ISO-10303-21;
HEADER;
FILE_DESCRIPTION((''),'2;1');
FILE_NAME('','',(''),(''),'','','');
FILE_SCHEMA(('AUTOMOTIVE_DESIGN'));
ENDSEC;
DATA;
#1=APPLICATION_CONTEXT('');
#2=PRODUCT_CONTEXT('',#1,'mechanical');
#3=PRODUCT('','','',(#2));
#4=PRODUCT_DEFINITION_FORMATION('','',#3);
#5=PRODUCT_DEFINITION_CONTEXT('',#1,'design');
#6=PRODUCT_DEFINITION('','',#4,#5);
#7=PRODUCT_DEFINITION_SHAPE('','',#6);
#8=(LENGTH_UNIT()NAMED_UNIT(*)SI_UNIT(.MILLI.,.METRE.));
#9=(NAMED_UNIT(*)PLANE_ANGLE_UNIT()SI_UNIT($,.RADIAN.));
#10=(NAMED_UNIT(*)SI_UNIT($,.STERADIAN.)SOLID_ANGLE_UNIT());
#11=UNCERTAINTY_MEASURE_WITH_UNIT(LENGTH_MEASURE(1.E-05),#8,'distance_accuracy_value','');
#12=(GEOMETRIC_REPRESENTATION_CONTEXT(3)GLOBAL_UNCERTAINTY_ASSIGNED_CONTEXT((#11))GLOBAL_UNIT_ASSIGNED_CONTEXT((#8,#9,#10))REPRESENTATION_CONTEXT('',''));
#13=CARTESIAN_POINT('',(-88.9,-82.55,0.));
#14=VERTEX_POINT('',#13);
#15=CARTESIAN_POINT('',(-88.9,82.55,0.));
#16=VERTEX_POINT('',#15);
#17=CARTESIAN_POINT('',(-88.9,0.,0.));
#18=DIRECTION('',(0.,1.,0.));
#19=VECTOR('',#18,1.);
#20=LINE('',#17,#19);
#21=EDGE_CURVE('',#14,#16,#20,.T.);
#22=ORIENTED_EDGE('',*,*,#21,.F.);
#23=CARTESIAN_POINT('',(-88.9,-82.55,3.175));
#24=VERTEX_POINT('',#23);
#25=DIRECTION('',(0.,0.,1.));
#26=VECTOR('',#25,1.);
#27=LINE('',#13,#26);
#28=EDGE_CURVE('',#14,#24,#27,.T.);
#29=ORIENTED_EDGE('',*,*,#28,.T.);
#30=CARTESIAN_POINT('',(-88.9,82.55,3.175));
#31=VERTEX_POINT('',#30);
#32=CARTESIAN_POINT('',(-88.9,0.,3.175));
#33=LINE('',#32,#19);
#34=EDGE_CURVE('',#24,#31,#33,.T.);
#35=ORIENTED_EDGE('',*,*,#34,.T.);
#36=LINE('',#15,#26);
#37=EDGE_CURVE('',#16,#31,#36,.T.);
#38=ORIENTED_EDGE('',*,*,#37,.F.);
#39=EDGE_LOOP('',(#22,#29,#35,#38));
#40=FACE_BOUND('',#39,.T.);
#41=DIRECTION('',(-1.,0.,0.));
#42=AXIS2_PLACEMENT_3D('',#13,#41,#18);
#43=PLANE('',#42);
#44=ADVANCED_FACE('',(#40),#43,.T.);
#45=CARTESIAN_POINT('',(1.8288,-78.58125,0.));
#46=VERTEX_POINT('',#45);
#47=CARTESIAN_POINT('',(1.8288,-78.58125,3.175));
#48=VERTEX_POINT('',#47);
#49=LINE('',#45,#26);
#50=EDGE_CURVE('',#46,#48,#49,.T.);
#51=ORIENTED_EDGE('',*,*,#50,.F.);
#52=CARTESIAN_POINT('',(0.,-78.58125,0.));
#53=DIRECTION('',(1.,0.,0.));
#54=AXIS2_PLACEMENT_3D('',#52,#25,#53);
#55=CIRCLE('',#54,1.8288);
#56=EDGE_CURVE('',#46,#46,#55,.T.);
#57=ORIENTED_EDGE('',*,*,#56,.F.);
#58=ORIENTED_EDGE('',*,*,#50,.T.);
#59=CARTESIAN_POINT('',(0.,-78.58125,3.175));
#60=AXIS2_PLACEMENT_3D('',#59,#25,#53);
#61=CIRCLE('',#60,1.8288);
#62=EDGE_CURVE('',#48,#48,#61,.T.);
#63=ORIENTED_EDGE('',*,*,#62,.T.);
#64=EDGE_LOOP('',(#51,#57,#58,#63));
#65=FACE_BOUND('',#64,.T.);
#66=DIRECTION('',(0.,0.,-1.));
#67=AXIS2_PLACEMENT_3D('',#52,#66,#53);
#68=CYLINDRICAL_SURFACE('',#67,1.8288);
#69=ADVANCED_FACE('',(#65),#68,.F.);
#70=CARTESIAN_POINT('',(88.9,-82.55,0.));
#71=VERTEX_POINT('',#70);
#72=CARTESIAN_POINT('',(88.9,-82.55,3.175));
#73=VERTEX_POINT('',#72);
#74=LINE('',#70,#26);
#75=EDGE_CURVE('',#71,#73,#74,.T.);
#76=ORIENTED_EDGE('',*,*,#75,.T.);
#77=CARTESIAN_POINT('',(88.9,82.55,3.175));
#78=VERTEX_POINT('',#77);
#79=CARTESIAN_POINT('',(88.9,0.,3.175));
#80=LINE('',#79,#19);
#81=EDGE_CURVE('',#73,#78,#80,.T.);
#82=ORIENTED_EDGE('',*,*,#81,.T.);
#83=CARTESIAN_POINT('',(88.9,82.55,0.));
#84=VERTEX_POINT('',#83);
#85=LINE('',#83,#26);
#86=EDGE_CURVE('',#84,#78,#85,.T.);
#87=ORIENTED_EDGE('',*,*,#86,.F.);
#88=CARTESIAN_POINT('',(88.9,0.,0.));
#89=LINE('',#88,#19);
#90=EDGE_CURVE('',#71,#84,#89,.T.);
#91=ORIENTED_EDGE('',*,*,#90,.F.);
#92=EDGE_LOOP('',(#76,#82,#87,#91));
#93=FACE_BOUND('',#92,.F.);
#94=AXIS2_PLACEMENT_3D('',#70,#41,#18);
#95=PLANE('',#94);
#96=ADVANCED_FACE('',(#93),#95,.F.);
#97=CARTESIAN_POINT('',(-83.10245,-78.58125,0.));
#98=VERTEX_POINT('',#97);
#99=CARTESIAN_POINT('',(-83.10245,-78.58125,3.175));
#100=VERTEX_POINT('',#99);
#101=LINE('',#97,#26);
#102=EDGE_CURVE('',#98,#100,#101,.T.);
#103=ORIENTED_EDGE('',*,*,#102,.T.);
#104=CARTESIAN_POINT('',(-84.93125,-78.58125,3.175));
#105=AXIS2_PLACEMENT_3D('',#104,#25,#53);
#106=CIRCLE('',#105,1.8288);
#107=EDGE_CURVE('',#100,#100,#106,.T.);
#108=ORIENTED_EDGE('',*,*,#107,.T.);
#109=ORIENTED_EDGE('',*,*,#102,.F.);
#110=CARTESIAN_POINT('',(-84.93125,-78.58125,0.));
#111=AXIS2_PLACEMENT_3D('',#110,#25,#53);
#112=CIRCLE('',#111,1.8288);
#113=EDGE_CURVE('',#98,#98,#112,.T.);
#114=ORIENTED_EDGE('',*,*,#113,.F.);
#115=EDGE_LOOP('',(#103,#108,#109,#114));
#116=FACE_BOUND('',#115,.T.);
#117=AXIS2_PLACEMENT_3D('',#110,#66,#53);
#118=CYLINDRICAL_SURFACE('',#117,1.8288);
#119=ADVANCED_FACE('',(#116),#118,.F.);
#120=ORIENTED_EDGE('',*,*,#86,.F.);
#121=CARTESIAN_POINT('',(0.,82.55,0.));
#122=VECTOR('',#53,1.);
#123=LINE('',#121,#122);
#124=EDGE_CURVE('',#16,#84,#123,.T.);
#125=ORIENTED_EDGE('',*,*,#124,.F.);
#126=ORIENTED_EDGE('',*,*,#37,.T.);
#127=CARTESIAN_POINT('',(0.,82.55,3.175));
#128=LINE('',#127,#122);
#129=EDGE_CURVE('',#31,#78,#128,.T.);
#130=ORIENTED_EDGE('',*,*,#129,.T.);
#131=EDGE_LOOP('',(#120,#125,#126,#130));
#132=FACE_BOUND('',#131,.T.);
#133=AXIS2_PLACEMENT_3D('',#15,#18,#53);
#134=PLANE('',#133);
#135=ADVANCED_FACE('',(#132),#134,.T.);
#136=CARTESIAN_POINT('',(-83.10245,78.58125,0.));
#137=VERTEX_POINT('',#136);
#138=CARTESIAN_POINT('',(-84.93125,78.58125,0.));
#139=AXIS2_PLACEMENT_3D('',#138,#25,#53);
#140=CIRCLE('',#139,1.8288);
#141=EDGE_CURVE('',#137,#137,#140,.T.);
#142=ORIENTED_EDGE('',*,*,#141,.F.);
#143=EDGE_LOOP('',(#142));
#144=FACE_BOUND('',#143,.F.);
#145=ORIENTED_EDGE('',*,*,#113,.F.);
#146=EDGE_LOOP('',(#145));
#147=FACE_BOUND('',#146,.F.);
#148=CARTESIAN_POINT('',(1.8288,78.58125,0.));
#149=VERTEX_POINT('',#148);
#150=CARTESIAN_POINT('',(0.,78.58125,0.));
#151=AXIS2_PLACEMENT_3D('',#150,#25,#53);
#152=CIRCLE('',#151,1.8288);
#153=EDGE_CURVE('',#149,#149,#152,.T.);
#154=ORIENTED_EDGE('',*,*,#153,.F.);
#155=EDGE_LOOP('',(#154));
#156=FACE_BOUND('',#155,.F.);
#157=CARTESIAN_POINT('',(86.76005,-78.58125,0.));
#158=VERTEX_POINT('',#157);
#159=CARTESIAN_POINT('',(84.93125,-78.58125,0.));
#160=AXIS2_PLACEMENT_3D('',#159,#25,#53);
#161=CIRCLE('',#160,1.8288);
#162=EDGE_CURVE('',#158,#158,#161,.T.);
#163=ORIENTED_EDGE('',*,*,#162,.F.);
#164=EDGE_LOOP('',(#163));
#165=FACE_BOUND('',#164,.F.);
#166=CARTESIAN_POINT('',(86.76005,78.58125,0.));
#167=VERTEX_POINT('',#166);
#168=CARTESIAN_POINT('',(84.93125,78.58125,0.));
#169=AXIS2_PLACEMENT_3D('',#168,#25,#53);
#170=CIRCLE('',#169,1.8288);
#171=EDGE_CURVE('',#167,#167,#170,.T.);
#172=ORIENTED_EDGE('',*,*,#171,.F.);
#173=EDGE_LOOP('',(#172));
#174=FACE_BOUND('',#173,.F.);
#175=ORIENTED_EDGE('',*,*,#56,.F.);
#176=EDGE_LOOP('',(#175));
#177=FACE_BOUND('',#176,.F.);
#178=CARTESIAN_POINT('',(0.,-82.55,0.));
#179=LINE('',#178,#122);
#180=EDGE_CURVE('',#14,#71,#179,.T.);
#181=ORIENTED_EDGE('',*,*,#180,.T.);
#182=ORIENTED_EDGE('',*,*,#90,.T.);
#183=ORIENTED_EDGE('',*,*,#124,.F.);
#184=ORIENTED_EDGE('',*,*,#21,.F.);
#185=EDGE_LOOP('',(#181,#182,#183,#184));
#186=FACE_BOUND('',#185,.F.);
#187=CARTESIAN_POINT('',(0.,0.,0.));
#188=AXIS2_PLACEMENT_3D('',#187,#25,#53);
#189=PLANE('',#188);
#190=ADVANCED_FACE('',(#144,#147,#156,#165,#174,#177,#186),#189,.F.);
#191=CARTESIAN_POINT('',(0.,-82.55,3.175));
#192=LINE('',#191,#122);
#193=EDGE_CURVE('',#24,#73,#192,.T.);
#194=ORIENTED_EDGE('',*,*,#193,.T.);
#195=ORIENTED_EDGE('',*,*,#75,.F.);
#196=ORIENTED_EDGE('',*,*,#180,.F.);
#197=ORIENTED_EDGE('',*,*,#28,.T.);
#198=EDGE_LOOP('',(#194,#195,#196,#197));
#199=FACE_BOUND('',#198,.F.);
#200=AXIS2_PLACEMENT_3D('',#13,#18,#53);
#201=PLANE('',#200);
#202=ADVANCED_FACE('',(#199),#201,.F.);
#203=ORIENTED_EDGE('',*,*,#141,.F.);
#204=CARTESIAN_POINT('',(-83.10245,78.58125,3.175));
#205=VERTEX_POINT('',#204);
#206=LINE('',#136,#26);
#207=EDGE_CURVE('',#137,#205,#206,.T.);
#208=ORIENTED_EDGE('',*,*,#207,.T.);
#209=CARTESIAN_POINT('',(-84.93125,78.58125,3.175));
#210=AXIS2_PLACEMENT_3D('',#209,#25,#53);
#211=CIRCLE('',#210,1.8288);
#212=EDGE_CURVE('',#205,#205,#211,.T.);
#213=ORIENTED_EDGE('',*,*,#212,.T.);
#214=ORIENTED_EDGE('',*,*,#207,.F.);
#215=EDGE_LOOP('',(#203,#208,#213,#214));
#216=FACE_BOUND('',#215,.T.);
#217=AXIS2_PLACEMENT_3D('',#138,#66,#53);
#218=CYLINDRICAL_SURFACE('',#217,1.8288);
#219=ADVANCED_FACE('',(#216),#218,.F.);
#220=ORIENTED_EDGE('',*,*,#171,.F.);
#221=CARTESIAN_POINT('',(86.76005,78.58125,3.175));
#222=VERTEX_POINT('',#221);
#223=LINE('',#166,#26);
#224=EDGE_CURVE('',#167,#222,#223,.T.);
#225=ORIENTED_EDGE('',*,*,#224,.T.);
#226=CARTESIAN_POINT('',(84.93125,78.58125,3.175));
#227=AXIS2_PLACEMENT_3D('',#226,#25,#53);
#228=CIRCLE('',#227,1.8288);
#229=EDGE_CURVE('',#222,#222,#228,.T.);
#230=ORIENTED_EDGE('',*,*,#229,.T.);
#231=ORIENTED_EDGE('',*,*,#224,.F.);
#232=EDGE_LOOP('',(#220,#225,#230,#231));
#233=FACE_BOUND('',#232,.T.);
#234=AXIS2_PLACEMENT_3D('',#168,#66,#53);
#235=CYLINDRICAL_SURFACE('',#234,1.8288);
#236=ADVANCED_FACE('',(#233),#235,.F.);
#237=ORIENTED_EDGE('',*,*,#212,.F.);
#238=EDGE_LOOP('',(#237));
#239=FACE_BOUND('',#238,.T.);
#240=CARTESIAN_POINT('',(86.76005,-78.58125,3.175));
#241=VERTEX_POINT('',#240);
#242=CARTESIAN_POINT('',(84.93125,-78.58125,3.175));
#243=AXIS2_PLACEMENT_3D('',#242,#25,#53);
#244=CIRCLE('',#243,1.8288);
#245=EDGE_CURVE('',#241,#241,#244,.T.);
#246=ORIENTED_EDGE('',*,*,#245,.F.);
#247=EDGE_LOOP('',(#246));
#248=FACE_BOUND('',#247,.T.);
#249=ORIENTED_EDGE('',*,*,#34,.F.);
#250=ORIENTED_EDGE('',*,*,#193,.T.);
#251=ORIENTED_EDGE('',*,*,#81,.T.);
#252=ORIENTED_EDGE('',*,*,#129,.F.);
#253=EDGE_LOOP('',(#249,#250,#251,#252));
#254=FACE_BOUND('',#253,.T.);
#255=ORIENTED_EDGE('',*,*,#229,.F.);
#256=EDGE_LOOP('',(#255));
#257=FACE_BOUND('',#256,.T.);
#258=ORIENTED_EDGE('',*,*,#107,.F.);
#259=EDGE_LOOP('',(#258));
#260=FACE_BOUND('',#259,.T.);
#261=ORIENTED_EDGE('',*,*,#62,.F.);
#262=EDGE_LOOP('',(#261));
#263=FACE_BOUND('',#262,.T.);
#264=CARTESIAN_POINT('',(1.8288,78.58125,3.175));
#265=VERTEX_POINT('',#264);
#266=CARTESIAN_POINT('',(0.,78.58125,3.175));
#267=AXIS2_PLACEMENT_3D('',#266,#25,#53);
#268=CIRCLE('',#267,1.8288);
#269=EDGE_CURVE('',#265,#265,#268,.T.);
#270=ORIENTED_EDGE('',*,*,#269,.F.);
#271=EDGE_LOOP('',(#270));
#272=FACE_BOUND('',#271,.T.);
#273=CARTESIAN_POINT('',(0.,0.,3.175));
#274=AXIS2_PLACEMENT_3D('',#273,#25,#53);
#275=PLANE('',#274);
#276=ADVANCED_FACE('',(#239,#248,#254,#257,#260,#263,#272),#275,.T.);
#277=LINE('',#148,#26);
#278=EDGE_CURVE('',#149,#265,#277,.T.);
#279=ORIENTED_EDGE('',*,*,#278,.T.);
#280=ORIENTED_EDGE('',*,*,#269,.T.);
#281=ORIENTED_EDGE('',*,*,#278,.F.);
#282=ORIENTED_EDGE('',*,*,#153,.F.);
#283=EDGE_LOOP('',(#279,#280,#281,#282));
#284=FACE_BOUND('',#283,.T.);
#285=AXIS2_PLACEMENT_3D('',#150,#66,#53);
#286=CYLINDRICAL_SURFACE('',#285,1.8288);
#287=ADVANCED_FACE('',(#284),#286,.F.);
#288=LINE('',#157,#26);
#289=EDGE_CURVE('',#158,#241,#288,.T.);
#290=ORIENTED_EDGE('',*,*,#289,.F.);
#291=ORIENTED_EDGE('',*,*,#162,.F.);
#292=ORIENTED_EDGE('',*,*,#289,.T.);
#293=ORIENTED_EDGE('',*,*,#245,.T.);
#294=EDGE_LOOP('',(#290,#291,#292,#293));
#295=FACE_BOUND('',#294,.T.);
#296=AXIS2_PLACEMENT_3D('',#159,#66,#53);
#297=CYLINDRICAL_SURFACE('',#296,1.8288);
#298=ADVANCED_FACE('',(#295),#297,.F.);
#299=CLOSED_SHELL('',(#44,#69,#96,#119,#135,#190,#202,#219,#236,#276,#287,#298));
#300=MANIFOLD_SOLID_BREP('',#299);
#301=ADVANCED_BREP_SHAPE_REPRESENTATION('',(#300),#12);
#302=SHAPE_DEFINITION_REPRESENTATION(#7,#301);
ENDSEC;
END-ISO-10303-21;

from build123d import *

# Parameters (mm, degrees)
F0_W     = 177.8
F0_H     = 165.1
F0_R     = 1.8288
F1_DEPTH = 3.175


with BuildPart() as f1:
    # F0 (on Top) → F1 (new body)
    with BuildSketch(Plane.XY):
        Rectangle(F0_W, F0_H)
        with Locations((-84.93125, -78.58125)):
            Circle(F0_R, mode=Mode.SUBTRACT)
        with Locations((0, -78.58125)):
            Circle(F0_R, mode=Mode.SUBTRACT)
        with Locations((84.93125, -78.58125)):
            Circle(F0_R, mode=Mode.SUBTRACT)
        with Locations((-84.93125, 78.58125)):
            Circle(F0_R, mode=Mode.SUBTRACT)
        with Locations((0, 78.58125)):
            Circle(F0_R, mode=Mode.SUBTRACT)
        with Locations((84.93125, 78.58125)):
            Circle(F0_R, mode=Mode.SUBTRACT)
    extrude(amount=F1_DEPTH)


solid = f1.part
